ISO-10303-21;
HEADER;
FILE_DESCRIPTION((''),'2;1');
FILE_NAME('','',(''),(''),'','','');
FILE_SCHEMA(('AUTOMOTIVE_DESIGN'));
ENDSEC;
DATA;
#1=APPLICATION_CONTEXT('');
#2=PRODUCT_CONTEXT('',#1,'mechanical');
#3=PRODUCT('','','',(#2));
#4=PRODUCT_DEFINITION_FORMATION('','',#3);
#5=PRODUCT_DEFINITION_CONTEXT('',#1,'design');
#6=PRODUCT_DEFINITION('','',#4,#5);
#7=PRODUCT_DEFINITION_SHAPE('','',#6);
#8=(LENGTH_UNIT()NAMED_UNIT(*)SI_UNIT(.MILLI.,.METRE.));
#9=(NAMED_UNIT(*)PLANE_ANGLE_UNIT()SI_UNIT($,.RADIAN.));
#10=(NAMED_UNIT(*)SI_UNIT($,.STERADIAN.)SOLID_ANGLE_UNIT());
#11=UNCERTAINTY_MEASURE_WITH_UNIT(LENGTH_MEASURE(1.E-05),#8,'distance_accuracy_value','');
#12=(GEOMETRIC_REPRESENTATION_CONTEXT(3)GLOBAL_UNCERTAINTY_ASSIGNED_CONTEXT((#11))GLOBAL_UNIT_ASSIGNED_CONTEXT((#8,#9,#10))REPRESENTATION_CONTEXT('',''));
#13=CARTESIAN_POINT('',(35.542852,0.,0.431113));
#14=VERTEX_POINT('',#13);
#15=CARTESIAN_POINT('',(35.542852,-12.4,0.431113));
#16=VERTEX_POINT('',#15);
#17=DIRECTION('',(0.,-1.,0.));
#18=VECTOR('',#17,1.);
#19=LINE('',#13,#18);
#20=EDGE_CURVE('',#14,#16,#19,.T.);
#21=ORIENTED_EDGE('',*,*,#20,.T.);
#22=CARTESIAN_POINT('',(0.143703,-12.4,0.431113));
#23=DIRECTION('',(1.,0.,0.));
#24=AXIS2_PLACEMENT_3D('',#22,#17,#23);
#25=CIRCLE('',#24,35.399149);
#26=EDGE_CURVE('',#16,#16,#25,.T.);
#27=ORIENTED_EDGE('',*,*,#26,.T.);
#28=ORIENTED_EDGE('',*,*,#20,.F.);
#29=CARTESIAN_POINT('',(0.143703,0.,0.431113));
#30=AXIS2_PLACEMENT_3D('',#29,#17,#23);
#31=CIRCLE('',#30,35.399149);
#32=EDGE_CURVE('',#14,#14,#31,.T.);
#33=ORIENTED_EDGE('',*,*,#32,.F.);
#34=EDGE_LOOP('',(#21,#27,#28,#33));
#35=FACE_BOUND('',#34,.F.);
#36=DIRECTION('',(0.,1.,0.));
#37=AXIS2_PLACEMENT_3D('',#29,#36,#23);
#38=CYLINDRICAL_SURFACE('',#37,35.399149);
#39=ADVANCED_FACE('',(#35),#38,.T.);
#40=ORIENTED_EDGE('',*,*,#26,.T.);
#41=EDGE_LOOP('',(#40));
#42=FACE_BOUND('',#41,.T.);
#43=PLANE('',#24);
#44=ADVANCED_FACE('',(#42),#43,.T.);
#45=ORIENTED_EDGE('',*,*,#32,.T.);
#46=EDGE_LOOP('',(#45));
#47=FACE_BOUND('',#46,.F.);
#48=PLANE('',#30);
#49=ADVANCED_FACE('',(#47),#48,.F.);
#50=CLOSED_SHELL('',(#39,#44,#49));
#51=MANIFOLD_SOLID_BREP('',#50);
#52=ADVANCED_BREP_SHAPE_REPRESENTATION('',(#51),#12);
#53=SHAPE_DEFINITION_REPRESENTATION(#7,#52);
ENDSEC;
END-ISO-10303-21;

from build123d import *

# Parameters (mm, degrees)
F0_R     = 35.3991487446
F0_R_2   = 26.8605
F1_DEPTH = 12.4


with BuildPart() as f1:
    # F0 (on Front) → F1 (new body)
    with BuildSketch(Plane.XZ):
        with Locations((0.1437033497, 0.4311131488)):
            Circle(F0_R)
        Circle(F0_R_2, mode=Mode.SUBTRACT)
        Circle(F0_R_2)
    extrude(amount=F1_DEPTH)


solid = f1.part
